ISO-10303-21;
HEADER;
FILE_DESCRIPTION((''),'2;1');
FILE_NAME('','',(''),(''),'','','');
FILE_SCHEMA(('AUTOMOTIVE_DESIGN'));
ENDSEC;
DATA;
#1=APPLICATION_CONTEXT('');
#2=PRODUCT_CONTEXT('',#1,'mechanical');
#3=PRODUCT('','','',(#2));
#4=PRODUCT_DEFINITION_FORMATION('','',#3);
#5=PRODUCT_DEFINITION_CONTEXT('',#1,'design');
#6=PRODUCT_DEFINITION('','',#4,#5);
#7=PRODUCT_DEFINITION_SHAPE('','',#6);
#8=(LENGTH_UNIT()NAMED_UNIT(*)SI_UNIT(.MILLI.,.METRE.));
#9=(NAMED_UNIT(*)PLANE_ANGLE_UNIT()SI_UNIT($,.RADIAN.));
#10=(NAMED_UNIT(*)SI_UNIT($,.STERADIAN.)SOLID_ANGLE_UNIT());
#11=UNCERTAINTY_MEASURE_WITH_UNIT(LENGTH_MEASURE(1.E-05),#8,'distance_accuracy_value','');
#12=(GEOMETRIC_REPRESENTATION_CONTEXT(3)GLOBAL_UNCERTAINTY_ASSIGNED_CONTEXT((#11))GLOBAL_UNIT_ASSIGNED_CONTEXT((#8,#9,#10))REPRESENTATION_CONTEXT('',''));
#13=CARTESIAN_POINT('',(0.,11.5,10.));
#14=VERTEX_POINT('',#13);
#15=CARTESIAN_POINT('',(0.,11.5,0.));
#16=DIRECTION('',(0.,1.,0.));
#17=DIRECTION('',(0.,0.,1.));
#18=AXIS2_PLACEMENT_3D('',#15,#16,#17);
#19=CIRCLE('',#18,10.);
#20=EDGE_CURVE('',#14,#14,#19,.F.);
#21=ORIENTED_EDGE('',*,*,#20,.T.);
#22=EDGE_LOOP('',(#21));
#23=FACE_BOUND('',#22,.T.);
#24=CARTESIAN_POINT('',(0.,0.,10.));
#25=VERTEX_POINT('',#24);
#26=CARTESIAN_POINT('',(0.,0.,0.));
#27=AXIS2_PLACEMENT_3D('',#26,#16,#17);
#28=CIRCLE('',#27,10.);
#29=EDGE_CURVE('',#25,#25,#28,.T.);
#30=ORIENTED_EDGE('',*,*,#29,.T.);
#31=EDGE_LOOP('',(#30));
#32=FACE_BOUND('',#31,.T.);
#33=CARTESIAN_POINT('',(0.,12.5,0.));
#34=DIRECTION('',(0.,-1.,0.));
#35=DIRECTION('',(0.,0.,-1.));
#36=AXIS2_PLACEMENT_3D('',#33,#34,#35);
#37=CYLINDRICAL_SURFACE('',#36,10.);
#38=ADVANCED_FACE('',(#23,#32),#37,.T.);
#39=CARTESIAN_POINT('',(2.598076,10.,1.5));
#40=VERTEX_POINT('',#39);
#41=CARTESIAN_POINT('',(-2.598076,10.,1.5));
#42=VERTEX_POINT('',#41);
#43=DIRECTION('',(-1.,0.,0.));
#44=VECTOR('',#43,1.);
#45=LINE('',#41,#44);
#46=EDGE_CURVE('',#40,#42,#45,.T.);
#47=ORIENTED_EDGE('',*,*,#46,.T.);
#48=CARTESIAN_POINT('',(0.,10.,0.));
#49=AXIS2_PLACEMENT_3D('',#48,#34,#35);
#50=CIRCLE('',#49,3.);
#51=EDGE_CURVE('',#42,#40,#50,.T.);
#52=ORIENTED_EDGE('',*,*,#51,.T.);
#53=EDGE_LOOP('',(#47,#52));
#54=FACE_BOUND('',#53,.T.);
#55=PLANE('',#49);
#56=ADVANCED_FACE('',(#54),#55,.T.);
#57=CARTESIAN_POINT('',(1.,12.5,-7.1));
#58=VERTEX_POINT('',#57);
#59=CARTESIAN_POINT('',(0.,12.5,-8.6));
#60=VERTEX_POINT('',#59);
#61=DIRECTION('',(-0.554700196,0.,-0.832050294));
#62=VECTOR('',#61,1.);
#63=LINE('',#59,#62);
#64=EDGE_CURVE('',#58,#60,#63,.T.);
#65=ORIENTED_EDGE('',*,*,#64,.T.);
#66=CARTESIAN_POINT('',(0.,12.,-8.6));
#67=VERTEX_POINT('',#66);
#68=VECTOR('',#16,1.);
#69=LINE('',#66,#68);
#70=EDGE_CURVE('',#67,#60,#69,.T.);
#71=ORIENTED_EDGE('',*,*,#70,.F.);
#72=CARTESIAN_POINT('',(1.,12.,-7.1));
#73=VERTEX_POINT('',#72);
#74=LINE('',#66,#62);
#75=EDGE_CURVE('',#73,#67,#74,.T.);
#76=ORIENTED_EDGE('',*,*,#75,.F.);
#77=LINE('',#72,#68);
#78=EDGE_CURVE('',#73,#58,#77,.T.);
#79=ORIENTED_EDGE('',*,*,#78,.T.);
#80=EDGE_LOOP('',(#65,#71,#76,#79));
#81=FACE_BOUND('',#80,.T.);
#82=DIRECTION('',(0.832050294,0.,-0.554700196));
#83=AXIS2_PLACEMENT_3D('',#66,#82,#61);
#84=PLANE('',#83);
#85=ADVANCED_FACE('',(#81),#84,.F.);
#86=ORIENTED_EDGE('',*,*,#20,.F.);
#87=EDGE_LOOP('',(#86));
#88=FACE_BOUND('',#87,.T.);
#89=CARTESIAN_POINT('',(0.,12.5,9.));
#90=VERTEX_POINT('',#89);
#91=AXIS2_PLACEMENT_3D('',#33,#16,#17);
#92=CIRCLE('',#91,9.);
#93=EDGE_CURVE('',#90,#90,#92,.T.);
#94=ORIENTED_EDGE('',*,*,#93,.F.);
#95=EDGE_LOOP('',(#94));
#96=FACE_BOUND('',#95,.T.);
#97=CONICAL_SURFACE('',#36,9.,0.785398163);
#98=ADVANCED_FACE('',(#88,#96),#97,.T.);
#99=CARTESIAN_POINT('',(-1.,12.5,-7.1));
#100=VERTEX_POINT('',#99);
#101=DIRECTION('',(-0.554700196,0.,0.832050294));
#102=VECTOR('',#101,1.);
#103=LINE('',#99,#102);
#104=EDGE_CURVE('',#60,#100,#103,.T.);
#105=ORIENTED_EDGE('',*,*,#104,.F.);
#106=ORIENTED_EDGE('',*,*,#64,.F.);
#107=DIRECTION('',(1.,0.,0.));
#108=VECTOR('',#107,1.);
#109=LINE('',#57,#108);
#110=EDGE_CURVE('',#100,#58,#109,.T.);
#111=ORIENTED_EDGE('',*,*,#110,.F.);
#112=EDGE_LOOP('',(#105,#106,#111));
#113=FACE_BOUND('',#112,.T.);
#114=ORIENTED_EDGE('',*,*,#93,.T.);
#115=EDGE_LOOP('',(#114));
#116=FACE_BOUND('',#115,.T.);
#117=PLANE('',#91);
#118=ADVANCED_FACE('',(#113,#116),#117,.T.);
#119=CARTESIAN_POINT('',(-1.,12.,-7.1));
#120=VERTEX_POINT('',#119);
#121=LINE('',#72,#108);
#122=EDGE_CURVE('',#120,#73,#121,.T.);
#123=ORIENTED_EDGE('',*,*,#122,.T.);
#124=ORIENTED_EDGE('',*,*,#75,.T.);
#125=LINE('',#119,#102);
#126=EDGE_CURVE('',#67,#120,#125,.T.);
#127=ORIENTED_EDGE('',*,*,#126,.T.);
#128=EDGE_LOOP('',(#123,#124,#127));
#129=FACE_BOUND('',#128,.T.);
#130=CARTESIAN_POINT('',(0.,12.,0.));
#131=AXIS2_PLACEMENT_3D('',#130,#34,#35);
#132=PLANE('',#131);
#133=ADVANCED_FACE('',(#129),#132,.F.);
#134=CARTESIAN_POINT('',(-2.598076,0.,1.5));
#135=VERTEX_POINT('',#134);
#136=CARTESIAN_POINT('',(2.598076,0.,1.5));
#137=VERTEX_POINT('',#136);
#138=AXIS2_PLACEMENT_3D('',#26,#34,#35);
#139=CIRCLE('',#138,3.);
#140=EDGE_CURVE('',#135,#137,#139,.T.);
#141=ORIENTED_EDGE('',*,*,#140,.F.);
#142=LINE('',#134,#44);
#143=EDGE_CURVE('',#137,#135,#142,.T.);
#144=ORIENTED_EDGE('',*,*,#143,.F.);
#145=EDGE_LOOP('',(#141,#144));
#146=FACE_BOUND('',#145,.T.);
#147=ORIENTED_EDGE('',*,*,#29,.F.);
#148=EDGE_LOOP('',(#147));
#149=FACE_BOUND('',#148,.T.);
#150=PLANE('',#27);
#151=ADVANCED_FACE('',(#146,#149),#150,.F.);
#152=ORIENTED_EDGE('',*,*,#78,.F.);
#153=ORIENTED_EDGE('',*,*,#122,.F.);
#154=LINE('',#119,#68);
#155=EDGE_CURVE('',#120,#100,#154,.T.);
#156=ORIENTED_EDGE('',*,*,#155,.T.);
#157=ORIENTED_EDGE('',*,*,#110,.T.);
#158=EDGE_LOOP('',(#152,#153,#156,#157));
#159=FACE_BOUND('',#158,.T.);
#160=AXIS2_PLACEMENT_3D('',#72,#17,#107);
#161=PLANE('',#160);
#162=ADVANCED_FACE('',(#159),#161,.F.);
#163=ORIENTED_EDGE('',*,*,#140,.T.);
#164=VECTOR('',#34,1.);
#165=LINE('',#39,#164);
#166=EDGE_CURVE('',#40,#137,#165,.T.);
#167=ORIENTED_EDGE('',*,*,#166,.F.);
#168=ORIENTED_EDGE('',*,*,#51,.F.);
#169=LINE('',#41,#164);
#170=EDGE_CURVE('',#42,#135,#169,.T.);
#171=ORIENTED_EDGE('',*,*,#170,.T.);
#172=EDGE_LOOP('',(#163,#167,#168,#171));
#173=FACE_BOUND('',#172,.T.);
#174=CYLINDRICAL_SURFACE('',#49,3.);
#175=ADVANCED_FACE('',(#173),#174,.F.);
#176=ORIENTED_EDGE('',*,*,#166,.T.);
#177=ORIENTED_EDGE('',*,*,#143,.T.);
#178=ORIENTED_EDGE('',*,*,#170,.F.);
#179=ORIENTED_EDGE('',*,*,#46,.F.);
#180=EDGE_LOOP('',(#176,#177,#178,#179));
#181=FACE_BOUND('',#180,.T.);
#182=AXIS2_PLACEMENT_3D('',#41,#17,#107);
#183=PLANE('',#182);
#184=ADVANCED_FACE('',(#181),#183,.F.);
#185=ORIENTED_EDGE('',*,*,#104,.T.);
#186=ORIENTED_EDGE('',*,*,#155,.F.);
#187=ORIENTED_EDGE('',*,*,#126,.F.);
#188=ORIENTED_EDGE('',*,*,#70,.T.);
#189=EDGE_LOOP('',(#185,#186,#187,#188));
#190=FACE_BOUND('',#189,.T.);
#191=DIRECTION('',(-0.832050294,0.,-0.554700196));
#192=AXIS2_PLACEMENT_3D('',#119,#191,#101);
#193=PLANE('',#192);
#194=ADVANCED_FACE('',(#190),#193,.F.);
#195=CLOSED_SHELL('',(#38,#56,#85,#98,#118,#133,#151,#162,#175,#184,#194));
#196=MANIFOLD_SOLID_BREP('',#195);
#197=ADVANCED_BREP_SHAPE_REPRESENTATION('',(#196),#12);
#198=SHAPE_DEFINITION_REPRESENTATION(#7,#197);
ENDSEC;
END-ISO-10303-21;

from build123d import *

# Parameters (mm, degrees)
SKETCH1_R           = 10
BOSS_EXTRUDE1_DEPTH = 12.5
CUT_EXTRUDE1_DEPTH  = 10
CUT_EXTRUDE2_DEPTH  = 0.5
CHAMFER1_SIZE       = 1


with BuildPart() as part:
    # Sketch1 → Boss-Extrude1 (new body)
    with BuildSketch(Plane(origin=(0, 0, 0), x_dir=(1, 0, 0), z_dir=(0, 1, 0))):
        Circle(SKETCH1_R)
    extrude(amount=BOSS_EXTRUDE1_DEPTH)

    # Sketch2 → Cut-Extrude1 (cut)
    with BuildSketch(Plane.XZ):
        with BuildLine():
            Line((-2.598076211, 1.5), (2.598076211, 1.5))
            ThreePointArc((2.598076211, 1.5), (0, -3), (-2.598076211, 1.5))
        make_face()
    extrude(amount=-CUT_EXTRUDE1_DEPTH, mode=Mode.SUBTRACT)

    # Sketch3 → Cut-Extrude2 (cut)
    with BuildSketch(Plane(origin=(0, 12.5, 0), x_dir=(1, 0, 0), z_dir=(0, 1, 0))):
        Polygon((-1, 7.1), (0, 8.6), (1, 7.1), align=None)
    extrude(amount=-CUT_EXTRUDE2_DEPTH, mode=Mode.SUBTRACT)

    # Chamfer1
    chamfer1_edges = [part.edges().sort_by_distance(p)[0] for p in [
        (-10, 12.5, 0),
    ]]
    chamfer(chamfer1_edges, length=CHAMFER1_SIZE)


solid = part.part
